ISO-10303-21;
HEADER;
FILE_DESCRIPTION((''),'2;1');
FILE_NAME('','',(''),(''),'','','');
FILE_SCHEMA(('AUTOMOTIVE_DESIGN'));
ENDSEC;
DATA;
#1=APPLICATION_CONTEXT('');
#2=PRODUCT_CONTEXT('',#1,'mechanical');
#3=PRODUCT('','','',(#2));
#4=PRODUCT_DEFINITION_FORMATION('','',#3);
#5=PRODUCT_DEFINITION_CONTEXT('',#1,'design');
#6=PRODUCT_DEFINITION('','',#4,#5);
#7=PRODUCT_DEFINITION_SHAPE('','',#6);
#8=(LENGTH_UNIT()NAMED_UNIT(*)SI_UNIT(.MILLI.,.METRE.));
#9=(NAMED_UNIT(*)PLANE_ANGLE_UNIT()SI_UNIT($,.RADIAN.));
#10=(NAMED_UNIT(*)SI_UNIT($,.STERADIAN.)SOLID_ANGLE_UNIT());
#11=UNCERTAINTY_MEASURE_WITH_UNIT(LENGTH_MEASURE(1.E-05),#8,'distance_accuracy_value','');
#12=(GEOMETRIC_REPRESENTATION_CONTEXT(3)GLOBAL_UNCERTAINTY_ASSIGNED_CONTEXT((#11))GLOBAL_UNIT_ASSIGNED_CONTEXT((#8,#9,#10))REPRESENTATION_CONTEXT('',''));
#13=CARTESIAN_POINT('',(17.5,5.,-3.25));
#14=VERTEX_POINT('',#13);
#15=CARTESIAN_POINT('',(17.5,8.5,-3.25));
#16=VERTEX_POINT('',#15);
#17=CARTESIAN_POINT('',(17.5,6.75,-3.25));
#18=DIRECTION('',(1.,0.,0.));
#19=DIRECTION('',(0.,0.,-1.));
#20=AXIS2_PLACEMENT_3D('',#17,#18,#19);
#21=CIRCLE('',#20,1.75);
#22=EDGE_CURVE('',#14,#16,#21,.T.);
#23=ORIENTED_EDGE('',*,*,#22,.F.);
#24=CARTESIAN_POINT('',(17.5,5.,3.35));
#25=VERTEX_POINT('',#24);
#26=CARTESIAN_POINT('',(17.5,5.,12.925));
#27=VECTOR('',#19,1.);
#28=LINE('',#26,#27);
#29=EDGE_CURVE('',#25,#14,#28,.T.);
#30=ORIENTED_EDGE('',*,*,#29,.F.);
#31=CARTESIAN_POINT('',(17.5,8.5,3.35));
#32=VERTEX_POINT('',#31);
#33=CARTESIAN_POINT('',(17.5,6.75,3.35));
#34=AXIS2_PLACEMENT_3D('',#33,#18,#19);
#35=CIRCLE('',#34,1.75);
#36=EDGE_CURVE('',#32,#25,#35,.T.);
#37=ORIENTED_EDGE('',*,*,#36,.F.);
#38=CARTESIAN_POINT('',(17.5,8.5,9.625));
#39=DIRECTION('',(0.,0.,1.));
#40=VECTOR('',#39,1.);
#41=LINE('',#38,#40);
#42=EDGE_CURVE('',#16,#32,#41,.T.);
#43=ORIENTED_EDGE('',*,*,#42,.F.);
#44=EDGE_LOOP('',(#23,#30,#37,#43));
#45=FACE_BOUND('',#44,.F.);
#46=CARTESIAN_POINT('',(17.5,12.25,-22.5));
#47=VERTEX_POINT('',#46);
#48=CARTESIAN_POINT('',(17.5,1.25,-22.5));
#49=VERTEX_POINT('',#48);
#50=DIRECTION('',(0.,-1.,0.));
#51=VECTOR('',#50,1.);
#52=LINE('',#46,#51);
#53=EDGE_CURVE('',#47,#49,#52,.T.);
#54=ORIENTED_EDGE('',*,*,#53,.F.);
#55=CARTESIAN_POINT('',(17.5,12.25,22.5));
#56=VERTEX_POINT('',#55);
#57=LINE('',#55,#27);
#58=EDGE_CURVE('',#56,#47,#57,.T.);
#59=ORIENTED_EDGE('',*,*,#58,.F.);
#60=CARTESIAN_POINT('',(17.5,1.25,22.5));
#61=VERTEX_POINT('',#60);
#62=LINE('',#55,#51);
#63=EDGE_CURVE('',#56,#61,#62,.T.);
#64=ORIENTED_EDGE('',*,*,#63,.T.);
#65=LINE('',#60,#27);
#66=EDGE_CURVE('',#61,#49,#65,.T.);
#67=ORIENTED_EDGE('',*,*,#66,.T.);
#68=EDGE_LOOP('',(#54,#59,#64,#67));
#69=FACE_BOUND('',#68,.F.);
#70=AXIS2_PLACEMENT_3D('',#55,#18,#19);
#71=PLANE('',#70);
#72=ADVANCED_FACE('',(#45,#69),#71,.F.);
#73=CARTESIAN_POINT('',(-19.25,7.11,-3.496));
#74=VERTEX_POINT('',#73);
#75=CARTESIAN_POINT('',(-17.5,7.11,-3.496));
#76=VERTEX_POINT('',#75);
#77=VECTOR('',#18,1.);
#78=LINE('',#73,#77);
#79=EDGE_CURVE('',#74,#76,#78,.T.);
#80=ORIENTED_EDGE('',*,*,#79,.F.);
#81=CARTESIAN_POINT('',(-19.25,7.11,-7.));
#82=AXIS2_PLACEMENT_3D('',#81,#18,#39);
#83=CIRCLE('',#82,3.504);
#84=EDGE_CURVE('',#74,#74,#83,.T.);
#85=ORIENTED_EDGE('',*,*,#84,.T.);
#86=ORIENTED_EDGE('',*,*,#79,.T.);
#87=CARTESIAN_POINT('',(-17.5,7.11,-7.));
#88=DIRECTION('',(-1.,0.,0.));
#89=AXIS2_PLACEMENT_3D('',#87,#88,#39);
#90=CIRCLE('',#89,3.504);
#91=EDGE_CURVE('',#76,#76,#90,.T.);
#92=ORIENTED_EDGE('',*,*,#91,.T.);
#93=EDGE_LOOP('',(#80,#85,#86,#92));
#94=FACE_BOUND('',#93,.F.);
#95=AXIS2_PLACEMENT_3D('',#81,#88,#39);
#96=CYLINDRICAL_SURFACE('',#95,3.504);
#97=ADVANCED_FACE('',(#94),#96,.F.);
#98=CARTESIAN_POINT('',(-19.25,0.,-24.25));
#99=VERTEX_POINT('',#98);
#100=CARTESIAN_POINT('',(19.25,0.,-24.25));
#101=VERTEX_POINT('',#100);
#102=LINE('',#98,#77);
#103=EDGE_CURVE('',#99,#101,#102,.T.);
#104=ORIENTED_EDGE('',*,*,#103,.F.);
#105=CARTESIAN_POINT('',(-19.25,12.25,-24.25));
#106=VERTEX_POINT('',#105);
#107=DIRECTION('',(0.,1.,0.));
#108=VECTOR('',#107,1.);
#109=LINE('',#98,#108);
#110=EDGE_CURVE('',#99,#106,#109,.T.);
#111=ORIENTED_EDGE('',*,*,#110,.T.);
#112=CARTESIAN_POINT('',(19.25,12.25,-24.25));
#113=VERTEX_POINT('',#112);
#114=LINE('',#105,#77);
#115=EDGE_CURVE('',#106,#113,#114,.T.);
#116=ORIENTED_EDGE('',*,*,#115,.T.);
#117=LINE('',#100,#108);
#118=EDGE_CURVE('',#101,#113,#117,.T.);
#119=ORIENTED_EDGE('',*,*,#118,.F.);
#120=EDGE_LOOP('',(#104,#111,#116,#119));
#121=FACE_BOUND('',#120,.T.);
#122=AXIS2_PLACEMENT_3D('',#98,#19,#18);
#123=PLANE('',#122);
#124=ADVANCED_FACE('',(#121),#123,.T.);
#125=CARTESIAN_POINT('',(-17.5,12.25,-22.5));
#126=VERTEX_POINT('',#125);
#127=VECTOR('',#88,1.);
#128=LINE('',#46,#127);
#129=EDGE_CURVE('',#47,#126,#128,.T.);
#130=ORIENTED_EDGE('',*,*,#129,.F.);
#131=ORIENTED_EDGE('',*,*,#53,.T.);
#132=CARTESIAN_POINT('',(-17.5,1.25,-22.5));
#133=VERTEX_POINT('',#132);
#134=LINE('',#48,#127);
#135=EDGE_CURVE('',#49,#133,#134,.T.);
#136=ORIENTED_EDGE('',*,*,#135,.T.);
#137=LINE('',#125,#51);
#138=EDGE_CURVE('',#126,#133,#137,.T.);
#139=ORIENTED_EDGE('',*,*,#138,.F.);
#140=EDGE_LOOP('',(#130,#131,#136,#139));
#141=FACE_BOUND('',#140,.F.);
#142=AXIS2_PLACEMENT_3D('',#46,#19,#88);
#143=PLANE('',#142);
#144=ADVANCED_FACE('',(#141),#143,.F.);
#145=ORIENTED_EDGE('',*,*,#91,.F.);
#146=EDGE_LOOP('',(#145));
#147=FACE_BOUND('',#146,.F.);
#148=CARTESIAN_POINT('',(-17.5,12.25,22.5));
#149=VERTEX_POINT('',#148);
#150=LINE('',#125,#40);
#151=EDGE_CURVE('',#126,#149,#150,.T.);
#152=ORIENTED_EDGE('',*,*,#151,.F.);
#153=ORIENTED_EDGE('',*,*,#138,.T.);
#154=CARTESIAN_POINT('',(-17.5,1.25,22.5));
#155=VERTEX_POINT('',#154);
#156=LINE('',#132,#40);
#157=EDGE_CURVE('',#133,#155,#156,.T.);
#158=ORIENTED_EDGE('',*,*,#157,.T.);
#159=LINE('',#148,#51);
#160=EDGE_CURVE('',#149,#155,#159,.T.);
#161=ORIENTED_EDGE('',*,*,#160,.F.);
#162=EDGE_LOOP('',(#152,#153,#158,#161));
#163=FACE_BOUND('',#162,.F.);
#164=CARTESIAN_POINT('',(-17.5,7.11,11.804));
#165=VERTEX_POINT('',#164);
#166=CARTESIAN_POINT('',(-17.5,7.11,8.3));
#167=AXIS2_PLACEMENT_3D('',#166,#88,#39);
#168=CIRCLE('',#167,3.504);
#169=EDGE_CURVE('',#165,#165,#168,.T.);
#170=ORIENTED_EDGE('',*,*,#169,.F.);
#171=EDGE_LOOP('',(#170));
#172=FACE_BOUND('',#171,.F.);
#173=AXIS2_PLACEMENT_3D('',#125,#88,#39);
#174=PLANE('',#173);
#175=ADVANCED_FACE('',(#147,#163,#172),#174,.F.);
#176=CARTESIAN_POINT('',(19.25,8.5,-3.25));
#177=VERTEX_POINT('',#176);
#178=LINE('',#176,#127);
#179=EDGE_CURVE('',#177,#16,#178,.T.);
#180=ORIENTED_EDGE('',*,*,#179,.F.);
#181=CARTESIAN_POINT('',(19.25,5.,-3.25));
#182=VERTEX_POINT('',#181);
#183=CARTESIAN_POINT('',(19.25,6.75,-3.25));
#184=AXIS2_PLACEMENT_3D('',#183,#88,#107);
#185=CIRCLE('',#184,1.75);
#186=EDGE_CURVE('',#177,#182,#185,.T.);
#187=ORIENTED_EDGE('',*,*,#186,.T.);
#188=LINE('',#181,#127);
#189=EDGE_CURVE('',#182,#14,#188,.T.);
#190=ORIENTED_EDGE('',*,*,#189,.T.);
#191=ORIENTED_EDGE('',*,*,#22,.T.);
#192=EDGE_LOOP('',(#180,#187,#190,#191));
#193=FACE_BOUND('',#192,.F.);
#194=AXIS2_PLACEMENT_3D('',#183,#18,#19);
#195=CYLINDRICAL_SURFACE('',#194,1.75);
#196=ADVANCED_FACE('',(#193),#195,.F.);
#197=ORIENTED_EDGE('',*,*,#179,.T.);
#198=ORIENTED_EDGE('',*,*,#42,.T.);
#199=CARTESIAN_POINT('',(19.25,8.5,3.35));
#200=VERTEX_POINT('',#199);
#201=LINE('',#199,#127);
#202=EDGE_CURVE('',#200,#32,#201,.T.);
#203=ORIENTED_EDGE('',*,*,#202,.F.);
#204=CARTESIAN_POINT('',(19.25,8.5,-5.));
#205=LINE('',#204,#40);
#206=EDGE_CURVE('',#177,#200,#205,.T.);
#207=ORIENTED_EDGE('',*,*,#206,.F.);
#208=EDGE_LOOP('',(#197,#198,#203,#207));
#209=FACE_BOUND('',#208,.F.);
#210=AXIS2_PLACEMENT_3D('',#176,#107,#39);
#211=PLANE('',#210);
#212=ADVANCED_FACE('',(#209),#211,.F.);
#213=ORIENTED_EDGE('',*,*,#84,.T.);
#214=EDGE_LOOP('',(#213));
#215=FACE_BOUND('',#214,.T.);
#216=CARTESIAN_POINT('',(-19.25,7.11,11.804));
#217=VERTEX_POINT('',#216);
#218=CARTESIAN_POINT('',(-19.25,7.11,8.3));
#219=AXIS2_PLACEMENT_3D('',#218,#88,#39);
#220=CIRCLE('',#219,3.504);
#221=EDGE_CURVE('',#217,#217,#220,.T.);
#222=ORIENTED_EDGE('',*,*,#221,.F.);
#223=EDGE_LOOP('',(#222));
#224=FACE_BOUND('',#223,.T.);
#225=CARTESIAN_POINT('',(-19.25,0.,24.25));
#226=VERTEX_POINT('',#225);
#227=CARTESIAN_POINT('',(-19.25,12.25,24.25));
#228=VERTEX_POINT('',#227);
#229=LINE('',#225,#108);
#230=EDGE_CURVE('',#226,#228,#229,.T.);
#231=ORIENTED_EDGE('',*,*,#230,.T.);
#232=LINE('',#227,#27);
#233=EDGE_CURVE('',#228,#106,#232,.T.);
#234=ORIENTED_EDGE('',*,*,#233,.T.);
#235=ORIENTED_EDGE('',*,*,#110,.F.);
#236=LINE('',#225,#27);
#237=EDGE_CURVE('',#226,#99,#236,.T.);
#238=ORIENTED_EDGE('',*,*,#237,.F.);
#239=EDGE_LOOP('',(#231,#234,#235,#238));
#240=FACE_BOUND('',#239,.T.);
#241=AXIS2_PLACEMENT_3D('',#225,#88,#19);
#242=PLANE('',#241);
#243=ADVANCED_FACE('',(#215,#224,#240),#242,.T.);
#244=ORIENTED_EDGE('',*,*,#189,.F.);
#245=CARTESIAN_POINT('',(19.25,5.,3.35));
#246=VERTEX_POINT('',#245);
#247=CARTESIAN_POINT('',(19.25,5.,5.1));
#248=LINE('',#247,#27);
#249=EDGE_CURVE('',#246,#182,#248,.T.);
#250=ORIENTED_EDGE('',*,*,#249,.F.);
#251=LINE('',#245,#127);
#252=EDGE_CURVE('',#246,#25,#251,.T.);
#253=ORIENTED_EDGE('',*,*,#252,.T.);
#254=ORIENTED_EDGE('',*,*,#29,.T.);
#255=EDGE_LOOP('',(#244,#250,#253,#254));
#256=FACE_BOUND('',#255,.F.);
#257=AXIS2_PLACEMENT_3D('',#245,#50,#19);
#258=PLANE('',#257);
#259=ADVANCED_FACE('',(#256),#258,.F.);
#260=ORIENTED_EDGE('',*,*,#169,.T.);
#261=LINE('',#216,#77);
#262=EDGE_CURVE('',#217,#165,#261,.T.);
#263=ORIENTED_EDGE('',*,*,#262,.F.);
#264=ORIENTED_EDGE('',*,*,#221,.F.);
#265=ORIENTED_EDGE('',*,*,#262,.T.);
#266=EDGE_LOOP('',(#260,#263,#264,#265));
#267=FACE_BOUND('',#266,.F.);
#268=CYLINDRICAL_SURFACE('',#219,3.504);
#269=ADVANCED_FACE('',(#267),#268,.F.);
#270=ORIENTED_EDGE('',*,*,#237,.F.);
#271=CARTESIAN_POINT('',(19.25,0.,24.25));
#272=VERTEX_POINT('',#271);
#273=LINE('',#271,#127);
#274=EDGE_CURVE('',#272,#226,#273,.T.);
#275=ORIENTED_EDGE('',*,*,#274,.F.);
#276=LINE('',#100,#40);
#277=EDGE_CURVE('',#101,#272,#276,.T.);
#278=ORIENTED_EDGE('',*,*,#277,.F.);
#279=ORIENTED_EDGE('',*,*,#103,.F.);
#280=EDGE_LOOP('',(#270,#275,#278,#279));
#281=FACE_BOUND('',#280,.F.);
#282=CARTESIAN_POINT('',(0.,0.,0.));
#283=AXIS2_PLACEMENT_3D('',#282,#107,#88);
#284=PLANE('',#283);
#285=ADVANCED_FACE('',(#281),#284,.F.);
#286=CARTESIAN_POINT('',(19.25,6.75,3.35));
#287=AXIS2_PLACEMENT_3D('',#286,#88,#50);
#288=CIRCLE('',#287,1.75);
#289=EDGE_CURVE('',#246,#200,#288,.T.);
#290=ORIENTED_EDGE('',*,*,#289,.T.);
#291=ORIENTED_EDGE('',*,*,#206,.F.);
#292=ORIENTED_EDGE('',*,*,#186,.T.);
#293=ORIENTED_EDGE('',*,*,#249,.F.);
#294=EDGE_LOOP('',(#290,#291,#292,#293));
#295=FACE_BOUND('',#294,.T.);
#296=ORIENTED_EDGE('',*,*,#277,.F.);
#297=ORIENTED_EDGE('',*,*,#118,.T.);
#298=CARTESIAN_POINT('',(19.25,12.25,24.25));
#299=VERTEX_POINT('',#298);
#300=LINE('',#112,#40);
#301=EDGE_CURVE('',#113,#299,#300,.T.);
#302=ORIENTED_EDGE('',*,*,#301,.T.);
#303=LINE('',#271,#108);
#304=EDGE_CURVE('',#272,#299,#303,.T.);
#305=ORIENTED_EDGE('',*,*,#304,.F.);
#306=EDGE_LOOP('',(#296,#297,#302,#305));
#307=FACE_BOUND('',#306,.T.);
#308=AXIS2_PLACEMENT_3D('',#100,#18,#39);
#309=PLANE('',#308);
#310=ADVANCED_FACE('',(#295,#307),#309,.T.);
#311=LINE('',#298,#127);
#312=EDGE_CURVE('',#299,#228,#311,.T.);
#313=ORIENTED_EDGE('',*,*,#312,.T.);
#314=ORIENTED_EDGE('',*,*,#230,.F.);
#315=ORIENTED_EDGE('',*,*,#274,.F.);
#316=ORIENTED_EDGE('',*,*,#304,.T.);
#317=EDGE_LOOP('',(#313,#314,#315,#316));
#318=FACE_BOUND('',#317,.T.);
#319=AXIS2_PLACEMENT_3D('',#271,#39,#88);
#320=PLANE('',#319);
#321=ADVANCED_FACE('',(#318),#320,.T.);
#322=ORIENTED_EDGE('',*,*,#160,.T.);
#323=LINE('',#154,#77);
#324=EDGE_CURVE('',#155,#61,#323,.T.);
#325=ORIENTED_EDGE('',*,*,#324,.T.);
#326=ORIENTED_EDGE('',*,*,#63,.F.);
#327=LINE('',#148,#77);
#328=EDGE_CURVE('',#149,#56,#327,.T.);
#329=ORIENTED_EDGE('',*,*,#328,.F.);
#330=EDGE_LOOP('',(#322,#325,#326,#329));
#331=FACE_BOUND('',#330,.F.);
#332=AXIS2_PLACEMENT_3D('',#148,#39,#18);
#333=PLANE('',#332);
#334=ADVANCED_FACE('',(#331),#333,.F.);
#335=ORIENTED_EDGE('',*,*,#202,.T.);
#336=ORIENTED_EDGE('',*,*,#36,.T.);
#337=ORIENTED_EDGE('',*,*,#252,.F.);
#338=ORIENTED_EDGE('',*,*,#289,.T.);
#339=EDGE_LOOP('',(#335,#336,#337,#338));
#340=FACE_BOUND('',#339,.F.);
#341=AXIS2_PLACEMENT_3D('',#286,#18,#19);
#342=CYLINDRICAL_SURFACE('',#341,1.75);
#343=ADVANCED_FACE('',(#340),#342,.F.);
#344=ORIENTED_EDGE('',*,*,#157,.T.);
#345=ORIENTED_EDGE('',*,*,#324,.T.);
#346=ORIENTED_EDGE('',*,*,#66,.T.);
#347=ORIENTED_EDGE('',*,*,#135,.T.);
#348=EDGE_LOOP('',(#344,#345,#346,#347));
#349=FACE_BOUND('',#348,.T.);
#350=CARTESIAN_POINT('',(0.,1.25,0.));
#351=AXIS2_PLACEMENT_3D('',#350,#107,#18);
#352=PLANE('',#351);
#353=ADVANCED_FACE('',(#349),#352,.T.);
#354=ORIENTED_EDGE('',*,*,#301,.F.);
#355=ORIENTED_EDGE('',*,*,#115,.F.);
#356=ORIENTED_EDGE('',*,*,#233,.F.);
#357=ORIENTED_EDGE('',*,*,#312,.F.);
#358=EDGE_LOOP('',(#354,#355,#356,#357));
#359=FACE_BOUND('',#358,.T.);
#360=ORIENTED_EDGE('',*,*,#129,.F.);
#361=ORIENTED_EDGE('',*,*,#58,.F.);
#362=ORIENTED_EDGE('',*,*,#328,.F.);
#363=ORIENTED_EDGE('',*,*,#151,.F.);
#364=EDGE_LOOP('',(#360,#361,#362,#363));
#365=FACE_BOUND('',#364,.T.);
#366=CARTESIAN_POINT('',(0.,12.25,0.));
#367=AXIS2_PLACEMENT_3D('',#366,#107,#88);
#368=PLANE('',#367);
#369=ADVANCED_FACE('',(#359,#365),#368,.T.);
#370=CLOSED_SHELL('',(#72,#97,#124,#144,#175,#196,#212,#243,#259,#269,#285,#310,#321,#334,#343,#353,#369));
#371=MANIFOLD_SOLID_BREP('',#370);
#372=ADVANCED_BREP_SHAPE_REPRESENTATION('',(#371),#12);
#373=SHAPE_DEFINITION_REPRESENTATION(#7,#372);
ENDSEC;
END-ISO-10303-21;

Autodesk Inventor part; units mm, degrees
ref_plane "YZ Plane" through (0, 0, 0) normal (1, 0, 0) x (0, 1, 0)
ref_plane "XZ Plane" through (0, 0, 0) normal (0, 1, 0) x (-1, 0, 0)
ref_plane "XY Plane" through (0, 0, 0) normal (0, 0, 1) x (1, 0, 0)
sketch "Sketch1" plane through (0, 0, 0) normal (0, 1, 0) x (-1, 0, 0)
  line L0 (-19.25, 24.25) -> (19.25, 24.25)
  line L1 (19.25, 24.25) -> (19.25, -24.25)
  line L2 (19.25, -24.25) -> (-19.25, -24.25)
  line L3 (-19.25, -24.25) -> (-19.25, 24.25)
  line L4 (-19.25, 24.25) -> (19.25, -24.25) construction
  line L5 (19.25, 24.25) -> (-19.25, -24.25) construction
  point P0 (0, 0)
  dimension "d0" = 38.5
  dimension "d1" = 48.5
extrude "Extrusion1" add sketch "Sketch1" along normal blind 12.25
sketch "Sketch2" plane through (0, 12.25, 0) normal (0, 1, 0) x (1, 0, 0)
  line L0 (-17.5, -22.5) -> (17.5, -22.5)
  line L1 (17.5, -22.5) -> (17.5, 22.5)
  line L2 (17.5, 22.5) -> (-17.5, 22.5)
  line L3 (-17.5, 22.5) -> (-17.5, -22.5)
  line L4 (-17.5, -22.5) -> (17.5, 22.5) construction
  line L5 (17.5, -22.5) -> (-17.5, 22.5) construction
  point P0 (0, 0)
  dimension "d4" = 35
  dimension "d5" = 45
extrude "Extrusion2" cut sketch "Sketch2" against normal blind 11
sketch "Sketch3" plane through (19.25, 0, 24.25) normal (1, 0, 0) x (0, 0, -1)
  line L0 (46.75, 1.25) -> (1.75, 1.25) projected
  line L1 (46.75, 12.25) -> (46.75, 1.25) projected
  line L2 (1.75, 12.25) -> (1.75, 1.25) projected
  line L3 (1.75, 8.5) -> (19.15, 8.5)
  line L4 (46.75, 8.5) -> (29.25, 8.5)
  line L5 (19.15, 1.25) -> (19.15, 5)
  line L6 (19.15, 5) -> (29.25, 5)
  line L7 (29.25, 5) -> (29.25, 8.5)
  line L8 (29.25, 8.5) -> (19.15, 8.5)
  line L9 (19.15, 8.5) -> (19.15, 5)
  circle A0 centre (20.9, 6.75) radius 1.75
  circle A1 centre (27.5, 6.75) radius 1.75
  point P0 (24.25, 0)
  point P1 (20.9, 5)
  point P2 (27.5, 5)
  point P3 (27.5, 8.5)
  point P4 (20.9, 8.5)
  dimension "d8" = 17.4
  dimension "d9" = 17.5
  dimension "d10" = 3.75
  dimension "d11" = 3.75
  dimension "d12" = 3.75
  dimension "d22" = 0
extrude "Extrusion3" cut sketch "Sketch3" against normal blind 11 contours A0 L8 A1 L6 | A0 | A1
sketch "Sketch4" plane through (-19.25, 0, -24.25) normal (-1, 0, 0) x (0, 0, 1)
  line L0 (46.75, 1.25) -> (1.75, 1.25) projected
  line L1 (1.75, 12.25) -> (1.75, 1.25) projected
  line L2 (46.75, 12.25) -> (46.75, 1.25) projected
  line L3 (24.25, 1.25) -> (24.25, 6.36)
  line L4 (1.75, 7.11) -> (17.25, 7.11)
  line L5 (46.75, 7.11) -> (32.55, 7.11)
  circle A0 centre (17.25, 7.11) radius 3.504
  circle A1 centre (32.55, 7.11) radius 3.504
  point P0 (24.25, 0)
  dimension "d23" = 5.11
  dimension "d24" = 15.5
  dimension "d25" = 14.2
extrude "Extrusion4" cut sketch "Sketch4" against normal blind 11
